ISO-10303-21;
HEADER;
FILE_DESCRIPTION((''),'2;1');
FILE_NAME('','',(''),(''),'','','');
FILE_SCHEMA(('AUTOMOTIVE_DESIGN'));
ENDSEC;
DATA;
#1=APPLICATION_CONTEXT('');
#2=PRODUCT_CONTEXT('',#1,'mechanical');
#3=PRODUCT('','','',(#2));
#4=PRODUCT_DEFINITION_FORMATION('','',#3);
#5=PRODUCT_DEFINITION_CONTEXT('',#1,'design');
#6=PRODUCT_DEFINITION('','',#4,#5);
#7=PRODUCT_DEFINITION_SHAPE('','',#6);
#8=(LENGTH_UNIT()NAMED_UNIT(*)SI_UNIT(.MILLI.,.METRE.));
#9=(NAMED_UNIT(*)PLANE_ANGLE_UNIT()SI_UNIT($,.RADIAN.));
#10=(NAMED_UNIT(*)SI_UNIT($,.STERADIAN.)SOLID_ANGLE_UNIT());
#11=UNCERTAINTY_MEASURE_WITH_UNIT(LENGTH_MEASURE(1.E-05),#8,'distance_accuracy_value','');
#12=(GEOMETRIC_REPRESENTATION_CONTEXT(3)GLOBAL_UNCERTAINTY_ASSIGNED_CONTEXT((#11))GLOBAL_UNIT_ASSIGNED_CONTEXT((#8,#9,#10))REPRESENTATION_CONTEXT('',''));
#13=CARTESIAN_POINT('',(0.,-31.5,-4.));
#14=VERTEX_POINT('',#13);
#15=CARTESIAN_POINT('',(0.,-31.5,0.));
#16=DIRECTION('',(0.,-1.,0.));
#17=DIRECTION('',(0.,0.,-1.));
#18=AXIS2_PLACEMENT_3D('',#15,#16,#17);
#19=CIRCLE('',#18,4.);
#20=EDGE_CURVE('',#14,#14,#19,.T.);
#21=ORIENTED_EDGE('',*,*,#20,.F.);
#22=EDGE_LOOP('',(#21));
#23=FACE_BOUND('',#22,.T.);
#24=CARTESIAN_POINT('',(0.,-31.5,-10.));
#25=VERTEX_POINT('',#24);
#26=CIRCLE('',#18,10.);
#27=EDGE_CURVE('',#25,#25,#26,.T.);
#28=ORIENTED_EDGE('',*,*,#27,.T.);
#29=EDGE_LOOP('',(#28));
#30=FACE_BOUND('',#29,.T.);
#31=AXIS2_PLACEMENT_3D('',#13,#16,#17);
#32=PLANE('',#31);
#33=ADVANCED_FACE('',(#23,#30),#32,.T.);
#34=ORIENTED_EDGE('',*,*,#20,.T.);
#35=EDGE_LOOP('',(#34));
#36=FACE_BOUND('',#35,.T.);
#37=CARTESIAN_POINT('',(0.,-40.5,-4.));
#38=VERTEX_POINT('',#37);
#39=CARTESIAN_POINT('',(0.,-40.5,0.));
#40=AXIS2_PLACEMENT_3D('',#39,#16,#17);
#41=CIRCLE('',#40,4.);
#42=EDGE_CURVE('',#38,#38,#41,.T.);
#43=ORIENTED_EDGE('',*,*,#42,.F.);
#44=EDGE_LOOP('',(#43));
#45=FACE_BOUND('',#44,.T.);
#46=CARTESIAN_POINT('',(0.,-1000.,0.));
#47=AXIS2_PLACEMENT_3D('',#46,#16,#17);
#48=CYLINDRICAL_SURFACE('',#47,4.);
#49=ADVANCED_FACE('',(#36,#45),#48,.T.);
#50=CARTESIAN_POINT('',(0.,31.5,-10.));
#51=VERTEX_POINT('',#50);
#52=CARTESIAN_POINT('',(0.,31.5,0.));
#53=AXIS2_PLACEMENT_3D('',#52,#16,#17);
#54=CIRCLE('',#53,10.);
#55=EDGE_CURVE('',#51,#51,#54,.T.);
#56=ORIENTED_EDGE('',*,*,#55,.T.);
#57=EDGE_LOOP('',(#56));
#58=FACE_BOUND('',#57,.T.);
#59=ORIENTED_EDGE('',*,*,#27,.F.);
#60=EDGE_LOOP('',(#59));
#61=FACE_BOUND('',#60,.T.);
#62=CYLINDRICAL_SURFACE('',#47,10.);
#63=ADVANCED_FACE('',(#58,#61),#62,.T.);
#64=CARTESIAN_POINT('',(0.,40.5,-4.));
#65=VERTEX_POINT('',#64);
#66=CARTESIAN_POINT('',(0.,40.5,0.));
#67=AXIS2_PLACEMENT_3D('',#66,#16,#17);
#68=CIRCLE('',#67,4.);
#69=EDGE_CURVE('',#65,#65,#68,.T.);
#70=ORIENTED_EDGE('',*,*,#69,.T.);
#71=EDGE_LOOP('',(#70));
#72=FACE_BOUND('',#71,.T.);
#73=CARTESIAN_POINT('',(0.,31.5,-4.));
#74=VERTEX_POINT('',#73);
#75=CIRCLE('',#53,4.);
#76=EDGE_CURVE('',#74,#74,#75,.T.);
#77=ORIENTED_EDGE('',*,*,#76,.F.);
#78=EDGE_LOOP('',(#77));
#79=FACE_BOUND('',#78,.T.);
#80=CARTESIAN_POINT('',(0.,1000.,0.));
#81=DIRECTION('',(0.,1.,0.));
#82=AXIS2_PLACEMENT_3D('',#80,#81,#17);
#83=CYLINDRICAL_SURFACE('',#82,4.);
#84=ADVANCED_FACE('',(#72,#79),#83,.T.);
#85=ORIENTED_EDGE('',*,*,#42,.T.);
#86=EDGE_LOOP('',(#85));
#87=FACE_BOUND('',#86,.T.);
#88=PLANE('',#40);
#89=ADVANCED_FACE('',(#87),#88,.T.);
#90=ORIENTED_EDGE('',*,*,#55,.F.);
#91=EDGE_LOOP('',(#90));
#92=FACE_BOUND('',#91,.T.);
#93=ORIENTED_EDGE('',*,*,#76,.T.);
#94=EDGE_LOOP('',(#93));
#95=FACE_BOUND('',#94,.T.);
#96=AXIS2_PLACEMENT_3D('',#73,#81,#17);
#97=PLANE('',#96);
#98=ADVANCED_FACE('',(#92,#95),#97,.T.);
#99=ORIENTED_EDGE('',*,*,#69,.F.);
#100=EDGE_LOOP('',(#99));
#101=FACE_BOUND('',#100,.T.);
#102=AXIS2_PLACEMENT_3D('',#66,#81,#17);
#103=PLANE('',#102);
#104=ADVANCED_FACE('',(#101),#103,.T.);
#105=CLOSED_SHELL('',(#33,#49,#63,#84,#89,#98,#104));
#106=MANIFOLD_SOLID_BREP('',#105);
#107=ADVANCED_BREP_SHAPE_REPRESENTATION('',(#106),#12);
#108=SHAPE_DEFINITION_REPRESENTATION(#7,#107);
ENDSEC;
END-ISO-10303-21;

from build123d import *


with BuildPart() as part:
    # Эскиз1 → Повернуть1 (revolve)
    with BuildSketch(Plane(origin=(0, 0, 0), x_dir=(0, 0, -1), z_dir=(1, 0, 0))):
        Polygon((0, 0), (0, -40.5), (4, -40.5), (4, -31.5), (10, -31.5), (10, 0), align=None)
    revolve_1 = revolve(axis=Axis((0, -1000, 0), (0, 1, 0)))

    # Зеркальное отражение1: Повернуть1 across plane
    add(revolve_1.mirror(Plane(origin=(0, 0, -10), x_dir=(0, 0, 1), z_dir=(0, 1, 0))))


solid = part.part
